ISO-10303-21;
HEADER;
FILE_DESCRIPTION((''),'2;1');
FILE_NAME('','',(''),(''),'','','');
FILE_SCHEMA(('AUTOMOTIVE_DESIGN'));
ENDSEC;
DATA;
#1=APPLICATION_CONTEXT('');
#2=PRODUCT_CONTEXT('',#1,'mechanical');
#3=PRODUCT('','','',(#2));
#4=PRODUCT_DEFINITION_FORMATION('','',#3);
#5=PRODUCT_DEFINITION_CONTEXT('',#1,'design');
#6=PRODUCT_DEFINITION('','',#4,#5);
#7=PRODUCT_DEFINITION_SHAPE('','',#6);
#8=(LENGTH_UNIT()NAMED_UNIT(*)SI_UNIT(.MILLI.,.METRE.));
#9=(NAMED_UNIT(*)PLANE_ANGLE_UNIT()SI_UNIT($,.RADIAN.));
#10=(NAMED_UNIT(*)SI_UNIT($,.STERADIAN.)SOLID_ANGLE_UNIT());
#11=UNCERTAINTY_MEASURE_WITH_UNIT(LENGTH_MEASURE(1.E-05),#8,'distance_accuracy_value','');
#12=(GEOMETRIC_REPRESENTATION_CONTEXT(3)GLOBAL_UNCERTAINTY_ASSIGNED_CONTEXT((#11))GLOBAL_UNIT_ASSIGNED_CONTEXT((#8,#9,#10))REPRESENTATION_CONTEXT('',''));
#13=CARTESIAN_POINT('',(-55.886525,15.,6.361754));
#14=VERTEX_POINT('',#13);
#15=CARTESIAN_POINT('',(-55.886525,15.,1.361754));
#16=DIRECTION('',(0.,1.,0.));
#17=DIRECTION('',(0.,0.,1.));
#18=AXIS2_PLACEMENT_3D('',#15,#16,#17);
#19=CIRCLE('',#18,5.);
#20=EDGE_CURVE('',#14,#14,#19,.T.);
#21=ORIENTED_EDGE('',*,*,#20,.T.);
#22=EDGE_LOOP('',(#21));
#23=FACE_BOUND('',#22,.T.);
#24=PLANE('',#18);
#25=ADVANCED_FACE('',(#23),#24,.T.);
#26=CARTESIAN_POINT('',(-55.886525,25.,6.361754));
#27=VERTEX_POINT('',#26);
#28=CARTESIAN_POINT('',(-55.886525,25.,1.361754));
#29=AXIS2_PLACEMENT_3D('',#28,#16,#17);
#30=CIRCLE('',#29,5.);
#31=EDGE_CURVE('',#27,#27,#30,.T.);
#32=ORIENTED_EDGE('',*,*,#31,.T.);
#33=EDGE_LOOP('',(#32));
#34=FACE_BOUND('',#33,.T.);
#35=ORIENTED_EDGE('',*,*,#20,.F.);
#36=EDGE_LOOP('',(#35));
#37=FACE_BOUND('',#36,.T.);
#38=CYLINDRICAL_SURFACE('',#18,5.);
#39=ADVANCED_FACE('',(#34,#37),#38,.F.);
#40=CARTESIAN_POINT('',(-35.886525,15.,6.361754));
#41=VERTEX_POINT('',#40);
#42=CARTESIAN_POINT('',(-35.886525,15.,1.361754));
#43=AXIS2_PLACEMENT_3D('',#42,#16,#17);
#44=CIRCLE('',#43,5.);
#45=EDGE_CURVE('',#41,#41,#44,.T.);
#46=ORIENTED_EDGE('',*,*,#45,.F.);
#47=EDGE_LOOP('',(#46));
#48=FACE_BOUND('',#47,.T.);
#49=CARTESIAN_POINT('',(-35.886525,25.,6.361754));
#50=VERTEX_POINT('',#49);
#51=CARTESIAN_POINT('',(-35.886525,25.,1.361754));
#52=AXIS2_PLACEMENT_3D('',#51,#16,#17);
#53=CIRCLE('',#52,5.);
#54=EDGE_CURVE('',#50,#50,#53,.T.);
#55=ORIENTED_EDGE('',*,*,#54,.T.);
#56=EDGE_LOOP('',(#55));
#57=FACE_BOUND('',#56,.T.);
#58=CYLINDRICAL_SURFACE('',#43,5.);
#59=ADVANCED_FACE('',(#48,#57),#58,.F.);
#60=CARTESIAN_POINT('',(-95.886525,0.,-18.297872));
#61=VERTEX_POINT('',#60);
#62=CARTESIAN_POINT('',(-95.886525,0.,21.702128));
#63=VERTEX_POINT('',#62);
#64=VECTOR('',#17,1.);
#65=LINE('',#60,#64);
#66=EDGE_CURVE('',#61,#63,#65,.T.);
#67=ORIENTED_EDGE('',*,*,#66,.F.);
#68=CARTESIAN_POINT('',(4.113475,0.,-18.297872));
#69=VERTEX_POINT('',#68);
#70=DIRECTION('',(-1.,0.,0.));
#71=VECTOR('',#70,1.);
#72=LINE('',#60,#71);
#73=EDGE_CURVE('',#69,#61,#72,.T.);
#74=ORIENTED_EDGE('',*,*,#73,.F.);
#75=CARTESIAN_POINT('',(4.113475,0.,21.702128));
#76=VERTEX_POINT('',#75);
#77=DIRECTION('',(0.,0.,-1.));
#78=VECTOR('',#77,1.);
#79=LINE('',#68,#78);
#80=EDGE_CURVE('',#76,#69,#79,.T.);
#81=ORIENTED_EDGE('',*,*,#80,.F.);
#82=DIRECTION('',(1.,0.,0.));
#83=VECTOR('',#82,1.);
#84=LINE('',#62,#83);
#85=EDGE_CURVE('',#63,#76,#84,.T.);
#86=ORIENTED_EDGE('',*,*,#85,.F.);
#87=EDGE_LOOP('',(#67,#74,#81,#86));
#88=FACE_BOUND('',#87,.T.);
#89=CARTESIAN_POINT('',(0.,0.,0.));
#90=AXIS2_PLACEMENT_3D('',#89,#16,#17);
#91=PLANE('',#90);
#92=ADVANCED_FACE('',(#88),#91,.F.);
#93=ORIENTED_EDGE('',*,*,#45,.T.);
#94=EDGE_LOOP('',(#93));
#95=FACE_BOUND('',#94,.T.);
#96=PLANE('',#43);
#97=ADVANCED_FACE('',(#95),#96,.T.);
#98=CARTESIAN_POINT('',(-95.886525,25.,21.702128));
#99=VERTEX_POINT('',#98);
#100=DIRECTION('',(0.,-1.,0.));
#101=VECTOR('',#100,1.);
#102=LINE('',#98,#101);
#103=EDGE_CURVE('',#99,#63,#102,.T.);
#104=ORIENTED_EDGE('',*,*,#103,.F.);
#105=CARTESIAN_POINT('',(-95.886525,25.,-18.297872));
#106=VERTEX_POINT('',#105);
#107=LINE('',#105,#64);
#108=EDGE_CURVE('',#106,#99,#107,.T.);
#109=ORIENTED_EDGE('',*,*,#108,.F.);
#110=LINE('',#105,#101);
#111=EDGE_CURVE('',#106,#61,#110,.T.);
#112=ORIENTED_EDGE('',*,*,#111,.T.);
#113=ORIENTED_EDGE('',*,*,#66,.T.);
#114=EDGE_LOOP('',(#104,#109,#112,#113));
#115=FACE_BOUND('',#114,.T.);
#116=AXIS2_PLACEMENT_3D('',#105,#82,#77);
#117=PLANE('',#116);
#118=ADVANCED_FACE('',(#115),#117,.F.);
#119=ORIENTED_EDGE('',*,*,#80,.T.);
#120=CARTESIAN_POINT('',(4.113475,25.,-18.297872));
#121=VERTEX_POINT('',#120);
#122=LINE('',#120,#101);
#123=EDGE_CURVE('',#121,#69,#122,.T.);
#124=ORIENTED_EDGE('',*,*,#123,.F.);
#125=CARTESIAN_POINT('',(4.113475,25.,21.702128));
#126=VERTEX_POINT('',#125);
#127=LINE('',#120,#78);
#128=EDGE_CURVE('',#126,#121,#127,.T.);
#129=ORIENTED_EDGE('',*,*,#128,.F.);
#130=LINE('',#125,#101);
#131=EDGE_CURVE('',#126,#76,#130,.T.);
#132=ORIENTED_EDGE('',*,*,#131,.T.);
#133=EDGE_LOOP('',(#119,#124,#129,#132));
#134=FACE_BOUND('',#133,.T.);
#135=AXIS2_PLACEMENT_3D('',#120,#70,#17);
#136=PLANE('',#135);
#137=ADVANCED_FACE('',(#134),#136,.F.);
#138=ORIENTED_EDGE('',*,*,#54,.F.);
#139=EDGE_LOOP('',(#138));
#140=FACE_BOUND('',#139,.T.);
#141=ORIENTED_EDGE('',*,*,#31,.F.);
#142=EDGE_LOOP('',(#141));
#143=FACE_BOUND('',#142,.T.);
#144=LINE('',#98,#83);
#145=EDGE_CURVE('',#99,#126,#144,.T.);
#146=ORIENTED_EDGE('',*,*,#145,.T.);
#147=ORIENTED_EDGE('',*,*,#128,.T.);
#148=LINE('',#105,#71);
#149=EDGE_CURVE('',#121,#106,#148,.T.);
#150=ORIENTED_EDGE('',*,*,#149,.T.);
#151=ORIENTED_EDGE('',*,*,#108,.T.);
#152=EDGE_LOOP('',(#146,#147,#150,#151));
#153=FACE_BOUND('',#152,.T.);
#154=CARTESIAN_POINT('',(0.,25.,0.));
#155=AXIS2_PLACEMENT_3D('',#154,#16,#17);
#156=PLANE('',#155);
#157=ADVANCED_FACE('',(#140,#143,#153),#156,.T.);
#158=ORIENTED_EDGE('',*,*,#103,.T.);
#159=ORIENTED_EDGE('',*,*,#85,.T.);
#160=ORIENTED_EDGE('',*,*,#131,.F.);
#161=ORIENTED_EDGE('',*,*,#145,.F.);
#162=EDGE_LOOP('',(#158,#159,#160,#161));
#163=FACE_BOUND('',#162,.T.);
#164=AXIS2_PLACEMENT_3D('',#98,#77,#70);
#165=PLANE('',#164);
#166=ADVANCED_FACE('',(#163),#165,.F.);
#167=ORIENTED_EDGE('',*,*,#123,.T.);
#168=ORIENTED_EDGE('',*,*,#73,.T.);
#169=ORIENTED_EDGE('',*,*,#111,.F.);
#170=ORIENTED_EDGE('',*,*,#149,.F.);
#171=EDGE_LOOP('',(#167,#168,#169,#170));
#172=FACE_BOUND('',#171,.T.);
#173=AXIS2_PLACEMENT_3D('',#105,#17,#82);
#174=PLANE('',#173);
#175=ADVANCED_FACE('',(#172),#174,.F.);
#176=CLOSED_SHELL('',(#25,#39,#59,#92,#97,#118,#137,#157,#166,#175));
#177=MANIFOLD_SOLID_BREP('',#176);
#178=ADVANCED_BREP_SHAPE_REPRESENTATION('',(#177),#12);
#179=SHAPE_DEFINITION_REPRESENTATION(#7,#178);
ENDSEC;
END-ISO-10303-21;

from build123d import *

# Parameters (mm, degrees)
SKETCH1_W           = 100
SKETCH1_H           = 40
BOSS_EXTRUDE1_DEPTH = 25
SKETCH2_R           = 5
CUT_EXTRUDE1_DEPTH  = 10


with BuildPart() as part:
    # Sketch1 → Boss-Extrude1 (new body)
    with BuildSketch(Plane(origin=(0, 0, 0), x_dir=(1, 0, 0), z_dir=(0, 1, 0))):
        with Locations((-45.886524823, -1.70212766)):
            Rectangle(SKETCH1_W, SKETCH1_H)
    extrude(amount=BOSS_EXTRUDE1_DEPTH)

    # Sketch2 → Cut-Extrude1 (cut)
    with BuildSketch(Plane(origin=(0, 25, 0), x_dir=(1, 0, 0), z_dir=(0, 1, 0))):
        with Locations(Location((-55.886524823, -1.36175409, 0), (0, 0, 270))):
            Circle(SKETCH2_R)
        with Locations(Location((-35.886524823, -1.36175409, 0), (0, 0, 270))):
            Circle(SKETCH2_R)
    extrude(amount=-CUT_EXTRUDE1_DEPTH, mode=Mode.SUBTRACT)


solid = part.part
